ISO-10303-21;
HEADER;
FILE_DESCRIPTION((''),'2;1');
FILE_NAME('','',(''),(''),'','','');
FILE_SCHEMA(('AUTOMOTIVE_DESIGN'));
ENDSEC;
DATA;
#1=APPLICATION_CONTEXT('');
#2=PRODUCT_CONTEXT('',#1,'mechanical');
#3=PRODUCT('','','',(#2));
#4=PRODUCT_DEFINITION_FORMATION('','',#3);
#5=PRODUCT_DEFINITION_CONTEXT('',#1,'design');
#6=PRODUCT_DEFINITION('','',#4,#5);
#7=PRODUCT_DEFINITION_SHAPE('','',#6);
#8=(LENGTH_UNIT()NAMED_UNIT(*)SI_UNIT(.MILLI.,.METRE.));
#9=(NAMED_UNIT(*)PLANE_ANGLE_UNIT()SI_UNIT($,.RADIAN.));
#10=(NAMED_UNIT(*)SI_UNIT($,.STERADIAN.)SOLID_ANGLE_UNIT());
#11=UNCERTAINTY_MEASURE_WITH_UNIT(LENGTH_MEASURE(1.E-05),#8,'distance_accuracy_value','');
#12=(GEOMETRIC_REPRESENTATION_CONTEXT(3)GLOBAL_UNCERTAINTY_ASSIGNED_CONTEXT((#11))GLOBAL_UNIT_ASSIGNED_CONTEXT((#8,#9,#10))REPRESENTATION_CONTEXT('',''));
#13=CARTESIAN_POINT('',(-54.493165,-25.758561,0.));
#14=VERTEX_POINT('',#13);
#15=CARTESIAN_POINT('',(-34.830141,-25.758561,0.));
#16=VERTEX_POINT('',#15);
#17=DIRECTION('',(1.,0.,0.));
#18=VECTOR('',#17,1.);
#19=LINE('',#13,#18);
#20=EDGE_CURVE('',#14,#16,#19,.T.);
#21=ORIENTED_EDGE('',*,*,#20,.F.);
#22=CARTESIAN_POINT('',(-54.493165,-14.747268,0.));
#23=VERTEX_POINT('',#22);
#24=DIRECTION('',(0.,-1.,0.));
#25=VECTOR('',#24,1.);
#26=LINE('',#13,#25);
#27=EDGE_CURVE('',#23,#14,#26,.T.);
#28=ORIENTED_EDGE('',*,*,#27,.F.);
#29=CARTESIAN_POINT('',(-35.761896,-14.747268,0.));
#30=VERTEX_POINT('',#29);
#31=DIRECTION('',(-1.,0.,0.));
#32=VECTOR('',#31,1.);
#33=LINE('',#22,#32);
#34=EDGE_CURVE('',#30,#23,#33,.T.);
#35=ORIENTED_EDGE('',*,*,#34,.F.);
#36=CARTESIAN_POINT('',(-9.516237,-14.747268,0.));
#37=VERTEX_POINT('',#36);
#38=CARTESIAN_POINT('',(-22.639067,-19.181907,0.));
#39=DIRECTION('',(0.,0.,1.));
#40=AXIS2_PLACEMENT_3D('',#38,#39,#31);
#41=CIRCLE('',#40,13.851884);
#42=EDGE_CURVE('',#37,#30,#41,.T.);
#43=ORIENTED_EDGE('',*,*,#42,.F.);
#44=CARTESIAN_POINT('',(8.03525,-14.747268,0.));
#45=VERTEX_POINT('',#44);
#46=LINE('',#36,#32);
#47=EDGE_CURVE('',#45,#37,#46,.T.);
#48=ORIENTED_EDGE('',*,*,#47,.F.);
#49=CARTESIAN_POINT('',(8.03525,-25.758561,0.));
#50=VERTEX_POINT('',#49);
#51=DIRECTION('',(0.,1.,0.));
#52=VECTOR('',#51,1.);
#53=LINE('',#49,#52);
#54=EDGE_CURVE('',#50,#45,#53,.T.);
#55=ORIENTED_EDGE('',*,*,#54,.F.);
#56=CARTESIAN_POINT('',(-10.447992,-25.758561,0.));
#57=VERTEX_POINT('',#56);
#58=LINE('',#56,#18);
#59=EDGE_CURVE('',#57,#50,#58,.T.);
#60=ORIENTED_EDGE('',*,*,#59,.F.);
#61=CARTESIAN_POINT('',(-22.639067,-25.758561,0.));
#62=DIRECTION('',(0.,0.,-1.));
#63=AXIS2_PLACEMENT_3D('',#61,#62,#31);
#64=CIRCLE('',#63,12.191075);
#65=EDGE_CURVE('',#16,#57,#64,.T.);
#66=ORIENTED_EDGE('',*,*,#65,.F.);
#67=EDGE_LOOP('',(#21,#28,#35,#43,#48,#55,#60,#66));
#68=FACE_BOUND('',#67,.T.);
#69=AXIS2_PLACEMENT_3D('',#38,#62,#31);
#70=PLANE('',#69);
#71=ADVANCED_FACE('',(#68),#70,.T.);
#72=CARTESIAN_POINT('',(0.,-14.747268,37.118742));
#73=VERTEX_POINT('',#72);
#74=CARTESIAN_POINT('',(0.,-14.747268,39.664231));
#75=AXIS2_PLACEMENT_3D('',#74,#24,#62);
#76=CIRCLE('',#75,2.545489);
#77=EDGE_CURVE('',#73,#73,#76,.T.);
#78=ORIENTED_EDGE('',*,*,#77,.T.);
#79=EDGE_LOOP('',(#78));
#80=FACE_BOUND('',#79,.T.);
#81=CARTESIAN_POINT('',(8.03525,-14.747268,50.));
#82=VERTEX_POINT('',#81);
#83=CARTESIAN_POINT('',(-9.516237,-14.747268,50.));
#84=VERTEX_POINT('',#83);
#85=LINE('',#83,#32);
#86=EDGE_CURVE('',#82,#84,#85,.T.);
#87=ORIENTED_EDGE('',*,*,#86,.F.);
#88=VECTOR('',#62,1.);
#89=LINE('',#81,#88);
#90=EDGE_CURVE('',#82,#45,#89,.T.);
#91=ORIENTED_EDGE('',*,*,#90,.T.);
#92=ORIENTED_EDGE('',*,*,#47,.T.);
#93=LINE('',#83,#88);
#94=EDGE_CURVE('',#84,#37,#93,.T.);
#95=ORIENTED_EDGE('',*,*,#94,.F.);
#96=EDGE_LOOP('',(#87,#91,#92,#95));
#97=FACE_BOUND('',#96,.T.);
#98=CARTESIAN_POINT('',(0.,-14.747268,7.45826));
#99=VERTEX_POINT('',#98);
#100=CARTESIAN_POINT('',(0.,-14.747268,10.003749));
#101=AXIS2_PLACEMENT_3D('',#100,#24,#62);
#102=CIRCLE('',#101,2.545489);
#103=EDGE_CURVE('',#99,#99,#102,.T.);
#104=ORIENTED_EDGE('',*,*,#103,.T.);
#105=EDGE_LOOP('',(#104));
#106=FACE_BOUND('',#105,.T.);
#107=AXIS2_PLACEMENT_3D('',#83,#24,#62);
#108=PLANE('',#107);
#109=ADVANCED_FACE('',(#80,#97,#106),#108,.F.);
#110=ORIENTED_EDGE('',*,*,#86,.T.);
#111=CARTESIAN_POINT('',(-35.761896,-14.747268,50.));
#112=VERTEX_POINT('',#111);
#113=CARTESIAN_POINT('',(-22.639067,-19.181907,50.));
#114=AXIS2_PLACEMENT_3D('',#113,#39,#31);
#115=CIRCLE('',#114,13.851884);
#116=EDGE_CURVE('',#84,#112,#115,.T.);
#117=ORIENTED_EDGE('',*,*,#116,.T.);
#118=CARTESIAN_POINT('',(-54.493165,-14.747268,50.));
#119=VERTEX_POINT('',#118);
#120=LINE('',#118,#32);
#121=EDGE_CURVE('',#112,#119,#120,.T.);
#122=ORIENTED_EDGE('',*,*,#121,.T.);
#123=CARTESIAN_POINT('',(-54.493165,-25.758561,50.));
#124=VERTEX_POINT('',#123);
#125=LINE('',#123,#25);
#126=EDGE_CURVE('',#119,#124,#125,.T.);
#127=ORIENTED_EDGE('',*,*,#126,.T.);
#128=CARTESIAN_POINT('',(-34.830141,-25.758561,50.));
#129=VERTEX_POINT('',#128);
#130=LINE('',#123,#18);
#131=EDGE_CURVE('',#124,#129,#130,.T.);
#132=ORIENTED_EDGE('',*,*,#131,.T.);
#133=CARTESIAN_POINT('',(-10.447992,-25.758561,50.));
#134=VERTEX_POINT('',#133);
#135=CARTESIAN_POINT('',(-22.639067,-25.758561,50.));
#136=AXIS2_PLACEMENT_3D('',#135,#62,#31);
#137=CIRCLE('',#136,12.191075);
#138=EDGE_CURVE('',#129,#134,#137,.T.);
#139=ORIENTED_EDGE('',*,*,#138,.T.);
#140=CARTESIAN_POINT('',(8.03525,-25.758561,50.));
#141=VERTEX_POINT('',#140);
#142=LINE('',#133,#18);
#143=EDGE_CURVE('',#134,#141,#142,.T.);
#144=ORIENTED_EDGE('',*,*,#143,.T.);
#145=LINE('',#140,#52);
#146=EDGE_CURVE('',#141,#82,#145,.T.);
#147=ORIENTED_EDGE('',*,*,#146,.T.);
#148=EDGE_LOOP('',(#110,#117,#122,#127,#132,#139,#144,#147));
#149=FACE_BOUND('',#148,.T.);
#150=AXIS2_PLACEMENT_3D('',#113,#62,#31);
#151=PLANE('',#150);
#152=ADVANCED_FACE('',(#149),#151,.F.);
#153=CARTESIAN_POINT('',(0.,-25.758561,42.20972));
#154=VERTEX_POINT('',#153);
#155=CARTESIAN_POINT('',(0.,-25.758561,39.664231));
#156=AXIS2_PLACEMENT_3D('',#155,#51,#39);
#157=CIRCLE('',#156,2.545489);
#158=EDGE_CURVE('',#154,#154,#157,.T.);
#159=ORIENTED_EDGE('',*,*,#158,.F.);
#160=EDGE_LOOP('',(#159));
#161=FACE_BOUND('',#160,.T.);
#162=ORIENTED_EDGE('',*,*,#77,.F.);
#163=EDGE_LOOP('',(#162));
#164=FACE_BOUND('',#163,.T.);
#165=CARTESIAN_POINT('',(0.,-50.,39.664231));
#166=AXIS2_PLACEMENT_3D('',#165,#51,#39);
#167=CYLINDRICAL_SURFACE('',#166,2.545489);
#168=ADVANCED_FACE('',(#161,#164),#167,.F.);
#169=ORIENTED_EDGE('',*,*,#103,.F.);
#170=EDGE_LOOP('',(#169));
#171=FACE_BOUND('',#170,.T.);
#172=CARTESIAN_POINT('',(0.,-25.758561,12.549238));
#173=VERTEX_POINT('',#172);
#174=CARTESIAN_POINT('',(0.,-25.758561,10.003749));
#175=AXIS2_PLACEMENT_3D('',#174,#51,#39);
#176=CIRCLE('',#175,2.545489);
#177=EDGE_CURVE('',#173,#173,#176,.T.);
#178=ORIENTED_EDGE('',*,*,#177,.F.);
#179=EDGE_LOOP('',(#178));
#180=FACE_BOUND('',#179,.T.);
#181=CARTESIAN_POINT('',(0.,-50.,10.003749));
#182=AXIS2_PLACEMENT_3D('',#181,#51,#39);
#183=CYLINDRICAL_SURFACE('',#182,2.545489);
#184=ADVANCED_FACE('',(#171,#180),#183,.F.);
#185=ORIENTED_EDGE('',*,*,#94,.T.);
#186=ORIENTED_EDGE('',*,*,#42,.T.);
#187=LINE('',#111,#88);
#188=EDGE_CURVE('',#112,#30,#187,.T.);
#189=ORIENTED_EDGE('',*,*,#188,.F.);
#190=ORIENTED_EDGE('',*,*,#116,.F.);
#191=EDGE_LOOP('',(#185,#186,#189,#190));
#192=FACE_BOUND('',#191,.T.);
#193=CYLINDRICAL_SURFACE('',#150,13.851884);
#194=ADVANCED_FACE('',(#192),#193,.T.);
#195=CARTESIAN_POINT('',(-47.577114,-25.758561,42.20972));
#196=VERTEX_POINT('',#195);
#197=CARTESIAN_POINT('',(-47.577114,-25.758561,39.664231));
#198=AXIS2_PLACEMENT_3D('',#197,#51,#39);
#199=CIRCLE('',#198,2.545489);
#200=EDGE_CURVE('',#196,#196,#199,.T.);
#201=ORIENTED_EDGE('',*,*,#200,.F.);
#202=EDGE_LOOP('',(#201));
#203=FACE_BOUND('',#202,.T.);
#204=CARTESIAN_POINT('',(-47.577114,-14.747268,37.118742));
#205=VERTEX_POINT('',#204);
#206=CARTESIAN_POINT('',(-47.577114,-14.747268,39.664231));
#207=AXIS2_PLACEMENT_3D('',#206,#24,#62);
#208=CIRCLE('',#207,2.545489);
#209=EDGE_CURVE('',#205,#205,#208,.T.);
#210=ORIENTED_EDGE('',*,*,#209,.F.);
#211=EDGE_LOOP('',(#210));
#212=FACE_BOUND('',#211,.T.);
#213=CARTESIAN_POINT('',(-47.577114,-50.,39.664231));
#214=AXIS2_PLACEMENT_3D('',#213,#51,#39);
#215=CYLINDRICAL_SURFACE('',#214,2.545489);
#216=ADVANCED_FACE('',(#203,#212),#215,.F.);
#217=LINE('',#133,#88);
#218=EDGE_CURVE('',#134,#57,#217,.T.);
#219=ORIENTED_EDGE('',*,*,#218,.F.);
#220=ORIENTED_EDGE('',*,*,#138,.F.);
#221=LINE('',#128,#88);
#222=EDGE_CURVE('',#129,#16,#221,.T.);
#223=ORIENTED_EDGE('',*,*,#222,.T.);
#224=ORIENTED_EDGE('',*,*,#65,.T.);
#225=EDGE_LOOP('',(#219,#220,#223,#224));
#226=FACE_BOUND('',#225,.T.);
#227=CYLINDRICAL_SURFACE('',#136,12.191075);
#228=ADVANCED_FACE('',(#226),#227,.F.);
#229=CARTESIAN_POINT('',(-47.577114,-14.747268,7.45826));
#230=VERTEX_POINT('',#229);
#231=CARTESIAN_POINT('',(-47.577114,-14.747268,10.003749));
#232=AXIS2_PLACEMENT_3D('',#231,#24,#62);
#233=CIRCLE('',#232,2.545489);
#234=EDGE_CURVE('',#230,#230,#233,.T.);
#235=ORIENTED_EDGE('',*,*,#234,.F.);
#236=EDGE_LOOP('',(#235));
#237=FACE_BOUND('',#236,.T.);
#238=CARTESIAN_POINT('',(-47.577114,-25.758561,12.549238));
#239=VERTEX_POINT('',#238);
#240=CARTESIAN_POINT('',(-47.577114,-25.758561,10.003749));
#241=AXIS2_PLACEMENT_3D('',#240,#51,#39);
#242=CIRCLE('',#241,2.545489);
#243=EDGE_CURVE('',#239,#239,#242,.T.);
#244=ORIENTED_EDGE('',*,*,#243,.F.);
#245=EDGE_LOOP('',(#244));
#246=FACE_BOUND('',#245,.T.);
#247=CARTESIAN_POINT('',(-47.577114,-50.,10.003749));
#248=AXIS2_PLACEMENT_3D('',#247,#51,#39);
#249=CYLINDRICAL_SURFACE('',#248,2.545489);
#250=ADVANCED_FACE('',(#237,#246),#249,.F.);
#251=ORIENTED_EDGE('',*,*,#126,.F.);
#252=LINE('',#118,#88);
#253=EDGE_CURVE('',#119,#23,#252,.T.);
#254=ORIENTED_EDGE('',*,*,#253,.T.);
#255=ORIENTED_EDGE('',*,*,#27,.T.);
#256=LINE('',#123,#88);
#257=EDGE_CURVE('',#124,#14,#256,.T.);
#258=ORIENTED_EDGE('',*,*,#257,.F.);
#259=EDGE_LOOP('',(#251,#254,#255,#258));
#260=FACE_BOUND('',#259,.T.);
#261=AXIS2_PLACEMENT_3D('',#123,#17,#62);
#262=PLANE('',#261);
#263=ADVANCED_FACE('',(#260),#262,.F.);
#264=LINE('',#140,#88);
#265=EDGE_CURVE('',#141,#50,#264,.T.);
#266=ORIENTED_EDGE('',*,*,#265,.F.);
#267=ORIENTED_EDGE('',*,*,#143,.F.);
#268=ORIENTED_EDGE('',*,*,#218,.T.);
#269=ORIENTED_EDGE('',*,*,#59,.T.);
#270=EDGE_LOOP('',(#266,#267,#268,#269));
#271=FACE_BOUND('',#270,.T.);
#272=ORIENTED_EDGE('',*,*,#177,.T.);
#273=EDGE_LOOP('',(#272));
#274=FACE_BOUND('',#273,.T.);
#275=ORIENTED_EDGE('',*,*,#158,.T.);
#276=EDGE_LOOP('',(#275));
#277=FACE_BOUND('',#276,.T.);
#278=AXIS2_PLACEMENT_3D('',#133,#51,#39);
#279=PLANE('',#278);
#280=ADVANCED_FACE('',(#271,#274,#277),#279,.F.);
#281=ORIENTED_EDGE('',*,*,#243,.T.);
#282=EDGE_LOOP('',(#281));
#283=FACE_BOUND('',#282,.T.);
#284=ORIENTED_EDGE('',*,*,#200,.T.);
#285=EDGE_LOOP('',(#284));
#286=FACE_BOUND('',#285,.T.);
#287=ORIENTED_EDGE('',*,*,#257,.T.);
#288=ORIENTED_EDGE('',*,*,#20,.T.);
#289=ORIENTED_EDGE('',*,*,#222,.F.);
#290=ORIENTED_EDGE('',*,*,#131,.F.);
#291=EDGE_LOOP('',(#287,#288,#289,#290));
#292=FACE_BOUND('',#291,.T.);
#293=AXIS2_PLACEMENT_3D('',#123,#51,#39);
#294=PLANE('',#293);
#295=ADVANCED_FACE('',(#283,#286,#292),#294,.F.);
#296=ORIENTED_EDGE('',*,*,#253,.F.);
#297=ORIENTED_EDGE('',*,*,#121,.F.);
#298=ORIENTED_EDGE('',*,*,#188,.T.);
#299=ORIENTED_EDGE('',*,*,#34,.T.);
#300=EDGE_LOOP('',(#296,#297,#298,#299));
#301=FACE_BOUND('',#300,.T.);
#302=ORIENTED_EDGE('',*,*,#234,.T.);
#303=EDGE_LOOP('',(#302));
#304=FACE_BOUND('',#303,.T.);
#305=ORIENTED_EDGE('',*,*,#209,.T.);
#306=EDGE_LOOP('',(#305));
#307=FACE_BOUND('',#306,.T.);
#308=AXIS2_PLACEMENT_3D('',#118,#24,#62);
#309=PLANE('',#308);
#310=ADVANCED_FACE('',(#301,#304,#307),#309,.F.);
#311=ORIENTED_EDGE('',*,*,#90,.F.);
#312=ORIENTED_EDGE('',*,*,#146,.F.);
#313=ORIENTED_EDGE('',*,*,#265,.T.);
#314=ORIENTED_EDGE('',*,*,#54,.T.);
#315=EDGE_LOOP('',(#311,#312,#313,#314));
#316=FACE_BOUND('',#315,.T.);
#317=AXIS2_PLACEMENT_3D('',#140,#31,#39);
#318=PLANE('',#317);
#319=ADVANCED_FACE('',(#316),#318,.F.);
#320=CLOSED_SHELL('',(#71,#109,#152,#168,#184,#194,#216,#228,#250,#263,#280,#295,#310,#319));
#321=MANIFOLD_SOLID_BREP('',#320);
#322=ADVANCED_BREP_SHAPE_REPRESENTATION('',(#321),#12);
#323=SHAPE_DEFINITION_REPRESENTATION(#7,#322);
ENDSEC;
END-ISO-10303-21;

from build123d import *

# Parameters (mm, degrees)
BOSS_EXTRUDE1_DEPTH = 50
SKETCH2_R           = 2.545489134
CUT_EXTRUDE1_DEPTH  = 50


with BuildPart() as part:
    # Sketch1 → Boss-Extrude1 (new body)
    with BuildSketch(Plane.XY):
        with BuildLine():
            Line((-9.516237222, -14.74726776), (8.035250311, -14.74726776))
            Line((8.035250311, -14.74726776), (8.035250311, -25.75856102))
            Line((8.035250311, -25.75856102), (-10.447991948, -25.75856102))
            ThreePointArc((-10.447991948, -25.75856102), (-22.639066629, -13.567486339), (-34.83014131, -25.75856102))
            Line((-34.83014131, -25.75856102), (-54.49316499, -25.75856102))
            Line((-54.49316499, -25.75856102), (-54.49316499, -14.74726776))
            Line((-54.49316499, -14.74726776), (-35.761896036, -14.74726776))
            ThreePointArc((-35.761896036, -14.74726776), (-22.639066629, -5.330023584), (-9.516237222, -14.74726776))
        make_face()
    extrude(amount=BOSS_EXTRUDE1_DEPTH)

    # Sketch2 → Cut-Extrude1 (cut)
    with BuildSketch(Plane(origin=(0, 0, 0), x_dir=(1, 0, 0), z_dir=(0, 1, 0))):
        with Locations((-47.57711427, -10.003748799)):
            Circle(SKETCH2_R)
        with Locations((0, -10.003748799)):
            Circle(SKETCH2_R)
        with Locations((0, -39.664230879)):
            Circle(SKETCH2_R)
        with Locations((-47.57711427, -39.664230879)):
            Circle(SKETCH2_R)
    extrude(amount=-CUT_EXTRUDE1_DEPTH, mode=Mode.SUBTRACT)


solid = part.part
